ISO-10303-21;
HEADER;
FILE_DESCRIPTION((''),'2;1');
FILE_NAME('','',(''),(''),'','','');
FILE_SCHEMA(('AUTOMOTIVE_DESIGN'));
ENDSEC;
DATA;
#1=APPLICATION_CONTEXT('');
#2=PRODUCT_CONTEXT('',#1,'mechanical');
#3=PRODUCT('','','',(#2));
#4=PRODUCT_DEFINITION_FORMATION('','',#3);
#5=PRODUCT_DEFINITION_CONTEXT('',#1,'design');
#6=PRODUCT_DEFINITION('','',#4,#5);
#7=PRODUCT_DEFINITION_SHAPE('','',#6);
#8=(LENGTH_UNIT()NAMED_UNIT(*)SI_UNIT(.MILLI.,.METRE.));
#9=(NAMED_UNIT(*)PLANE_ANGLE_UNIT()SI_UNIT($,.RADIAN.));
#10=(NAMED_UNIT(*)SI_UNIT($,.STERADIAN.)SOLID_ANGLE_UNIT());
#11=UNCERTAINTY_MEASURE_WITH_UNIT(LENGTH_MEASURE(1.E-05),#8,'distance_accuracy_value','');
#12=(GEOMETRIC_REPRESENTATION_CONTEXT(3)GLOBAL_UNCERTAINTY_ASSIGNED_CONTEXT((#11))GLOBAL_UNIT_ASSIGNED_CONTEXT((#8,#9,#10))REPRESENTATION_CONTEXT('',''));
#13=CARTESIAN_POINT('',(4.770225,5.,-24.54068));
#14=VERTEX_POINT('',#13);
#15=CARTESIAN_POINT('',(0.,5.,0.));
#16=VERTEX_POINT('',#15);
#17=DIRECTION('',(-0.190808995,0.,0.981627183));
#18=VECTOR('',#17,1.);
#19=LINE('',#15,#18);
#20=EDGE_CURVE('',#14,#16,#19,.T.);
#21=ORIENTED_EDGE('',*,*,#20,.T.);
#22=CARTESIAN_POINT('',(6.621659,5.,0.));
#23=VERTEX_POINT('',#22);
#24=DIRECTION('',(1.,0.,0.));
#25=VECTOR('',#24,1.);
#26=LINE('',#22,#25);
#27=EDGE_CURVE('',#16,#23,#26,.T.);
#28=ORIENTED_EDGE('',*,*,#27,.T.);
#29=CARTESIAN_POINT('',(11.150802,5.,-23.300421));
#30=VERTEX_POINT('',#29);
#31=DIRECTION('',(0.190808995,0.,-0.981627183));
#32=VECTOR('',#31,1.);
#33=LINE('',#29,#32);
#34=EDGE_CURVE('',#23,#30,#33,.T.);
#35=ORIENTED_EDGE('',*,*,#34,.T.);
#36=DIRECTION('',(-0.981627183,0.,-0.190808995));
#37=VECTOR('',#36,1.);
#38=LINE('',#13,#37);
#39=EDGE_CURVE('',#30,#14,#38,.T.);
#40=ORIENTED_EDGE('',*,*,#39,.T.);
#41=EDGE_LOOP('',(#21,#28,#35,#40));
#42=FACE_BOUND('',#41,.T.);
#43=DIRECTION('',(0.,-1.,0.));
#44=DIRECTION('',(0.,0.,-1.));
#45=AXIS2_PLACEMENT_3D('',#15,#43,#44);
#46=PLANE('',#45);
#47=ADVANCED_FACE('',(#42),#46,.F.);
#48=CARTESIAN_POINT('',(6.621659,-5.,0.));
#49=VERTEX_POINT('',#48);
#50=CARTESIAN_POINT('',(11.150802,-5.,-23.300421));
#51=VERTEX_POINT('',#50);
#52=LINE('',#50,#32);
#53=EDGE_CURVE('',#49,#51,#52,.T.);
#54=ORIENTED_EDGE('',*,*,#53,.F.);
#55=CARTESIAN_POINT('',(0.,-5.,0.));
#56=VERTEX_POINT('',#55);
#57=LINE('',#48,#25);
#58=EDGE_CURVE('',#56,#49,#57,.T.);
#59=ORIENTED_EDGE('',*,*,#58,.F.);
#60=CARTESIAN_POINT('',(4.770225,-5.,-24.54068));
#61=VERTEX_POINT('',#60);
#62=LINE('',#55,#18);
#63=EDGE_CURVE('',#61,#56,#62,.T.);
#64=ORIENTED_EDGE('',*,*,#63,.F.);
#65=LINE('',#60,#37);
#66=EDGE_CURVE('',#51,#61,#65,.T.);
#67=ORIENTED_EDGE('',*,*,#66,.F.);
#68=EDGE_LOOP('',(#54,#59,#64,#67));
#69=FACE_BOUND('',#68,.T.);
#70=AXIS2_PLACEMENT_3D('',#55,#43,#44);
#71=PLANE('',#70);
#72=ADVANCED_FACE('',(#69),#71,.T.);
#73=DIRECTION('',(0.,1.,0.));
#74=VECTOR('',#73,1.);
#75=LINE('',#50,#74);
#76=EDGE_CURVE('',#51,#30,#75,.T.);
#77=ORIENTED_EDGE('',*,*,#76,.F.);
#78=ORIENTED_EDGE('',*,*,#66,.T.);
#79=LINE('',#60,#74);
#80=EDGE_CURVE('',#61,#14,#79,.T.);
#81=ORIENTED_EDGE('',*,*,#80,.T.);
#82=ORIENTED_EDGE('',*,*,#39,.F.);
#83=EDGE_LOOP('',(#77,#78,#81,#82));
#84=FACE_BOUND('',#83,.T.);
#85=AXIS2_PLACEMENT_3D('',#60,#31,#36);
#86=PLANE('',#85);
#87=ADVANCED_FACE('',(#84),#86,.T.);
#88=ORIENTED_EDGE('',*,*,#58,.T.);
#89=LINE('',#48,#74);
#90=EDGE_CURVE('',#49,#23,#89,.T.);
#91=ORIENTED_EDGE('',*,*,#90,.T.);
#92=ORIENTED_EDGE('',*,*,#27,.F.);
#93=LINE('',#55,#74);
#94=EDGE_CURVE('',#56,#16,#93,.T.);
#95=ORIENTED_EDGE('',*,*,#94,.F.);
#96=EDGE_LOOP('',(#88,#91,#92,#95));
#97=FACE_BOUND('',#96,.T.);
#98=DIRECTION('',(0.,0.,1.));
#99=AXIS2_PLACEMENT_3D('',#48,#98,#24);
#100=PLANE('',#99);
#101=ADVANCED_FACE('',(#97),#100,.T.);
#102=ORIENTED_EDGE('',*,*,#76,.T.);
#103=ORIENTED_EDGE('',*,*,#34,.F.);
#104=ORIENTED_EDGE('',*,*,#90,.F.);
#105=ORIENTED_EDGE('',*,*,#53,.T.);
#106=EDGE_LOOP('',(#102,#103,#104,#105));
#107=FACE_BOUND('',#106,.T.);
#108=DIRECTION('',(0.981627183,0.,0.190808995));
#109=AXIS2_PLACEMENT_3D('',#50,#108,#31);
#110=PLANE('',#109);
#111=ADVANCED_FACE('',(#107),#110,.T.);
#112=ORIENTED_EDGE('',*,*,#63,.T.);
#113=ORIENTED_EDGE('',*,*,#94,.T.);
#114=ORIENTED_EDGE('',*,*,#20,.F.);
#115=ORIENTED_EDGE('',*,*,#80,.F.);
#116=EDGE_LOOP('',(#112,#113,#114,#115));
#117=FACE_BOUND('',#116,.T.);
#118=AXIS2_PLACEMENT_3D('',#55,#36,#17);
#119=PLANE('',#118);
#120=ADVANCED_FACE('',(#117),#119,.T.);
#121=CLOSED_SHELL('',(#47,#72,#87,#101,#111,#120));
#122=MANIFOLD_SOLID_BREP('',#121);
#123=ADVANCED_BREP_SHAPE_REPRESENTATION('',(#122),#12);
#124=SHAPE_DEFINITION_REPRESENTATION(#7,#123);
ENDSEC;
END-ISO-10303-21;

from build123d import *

# Parameters (mm, degrees)
BOSS_EXTRUDE1_DEPTH      = 5
BOSS_EXTRUDE1_DEPTH_BACK = 5


with BuildPart() as part:
    # Sketch1 → Boss-Extrude1 (new, two sides: drawn at the far end of the back side and taken through both)
    with BuildSketch(Plane(origin=(0, 0, 0), x_dir=(1, 0, 0), z_dir=(0, 1, 0)).offset(-BOSS_EXTRUDE1_DEPTH_BACK)):
        Polygon((0, 0), (4.770224884, 24.540679586), (11.150801577, 23.300421116), (6.621658517, 0), align=None)
    extrude(amount=BOSS_EXTRUDE1_DEPTH + BOSS_EXTRUDE1_DEPTH_BACK)


solid = part.part
